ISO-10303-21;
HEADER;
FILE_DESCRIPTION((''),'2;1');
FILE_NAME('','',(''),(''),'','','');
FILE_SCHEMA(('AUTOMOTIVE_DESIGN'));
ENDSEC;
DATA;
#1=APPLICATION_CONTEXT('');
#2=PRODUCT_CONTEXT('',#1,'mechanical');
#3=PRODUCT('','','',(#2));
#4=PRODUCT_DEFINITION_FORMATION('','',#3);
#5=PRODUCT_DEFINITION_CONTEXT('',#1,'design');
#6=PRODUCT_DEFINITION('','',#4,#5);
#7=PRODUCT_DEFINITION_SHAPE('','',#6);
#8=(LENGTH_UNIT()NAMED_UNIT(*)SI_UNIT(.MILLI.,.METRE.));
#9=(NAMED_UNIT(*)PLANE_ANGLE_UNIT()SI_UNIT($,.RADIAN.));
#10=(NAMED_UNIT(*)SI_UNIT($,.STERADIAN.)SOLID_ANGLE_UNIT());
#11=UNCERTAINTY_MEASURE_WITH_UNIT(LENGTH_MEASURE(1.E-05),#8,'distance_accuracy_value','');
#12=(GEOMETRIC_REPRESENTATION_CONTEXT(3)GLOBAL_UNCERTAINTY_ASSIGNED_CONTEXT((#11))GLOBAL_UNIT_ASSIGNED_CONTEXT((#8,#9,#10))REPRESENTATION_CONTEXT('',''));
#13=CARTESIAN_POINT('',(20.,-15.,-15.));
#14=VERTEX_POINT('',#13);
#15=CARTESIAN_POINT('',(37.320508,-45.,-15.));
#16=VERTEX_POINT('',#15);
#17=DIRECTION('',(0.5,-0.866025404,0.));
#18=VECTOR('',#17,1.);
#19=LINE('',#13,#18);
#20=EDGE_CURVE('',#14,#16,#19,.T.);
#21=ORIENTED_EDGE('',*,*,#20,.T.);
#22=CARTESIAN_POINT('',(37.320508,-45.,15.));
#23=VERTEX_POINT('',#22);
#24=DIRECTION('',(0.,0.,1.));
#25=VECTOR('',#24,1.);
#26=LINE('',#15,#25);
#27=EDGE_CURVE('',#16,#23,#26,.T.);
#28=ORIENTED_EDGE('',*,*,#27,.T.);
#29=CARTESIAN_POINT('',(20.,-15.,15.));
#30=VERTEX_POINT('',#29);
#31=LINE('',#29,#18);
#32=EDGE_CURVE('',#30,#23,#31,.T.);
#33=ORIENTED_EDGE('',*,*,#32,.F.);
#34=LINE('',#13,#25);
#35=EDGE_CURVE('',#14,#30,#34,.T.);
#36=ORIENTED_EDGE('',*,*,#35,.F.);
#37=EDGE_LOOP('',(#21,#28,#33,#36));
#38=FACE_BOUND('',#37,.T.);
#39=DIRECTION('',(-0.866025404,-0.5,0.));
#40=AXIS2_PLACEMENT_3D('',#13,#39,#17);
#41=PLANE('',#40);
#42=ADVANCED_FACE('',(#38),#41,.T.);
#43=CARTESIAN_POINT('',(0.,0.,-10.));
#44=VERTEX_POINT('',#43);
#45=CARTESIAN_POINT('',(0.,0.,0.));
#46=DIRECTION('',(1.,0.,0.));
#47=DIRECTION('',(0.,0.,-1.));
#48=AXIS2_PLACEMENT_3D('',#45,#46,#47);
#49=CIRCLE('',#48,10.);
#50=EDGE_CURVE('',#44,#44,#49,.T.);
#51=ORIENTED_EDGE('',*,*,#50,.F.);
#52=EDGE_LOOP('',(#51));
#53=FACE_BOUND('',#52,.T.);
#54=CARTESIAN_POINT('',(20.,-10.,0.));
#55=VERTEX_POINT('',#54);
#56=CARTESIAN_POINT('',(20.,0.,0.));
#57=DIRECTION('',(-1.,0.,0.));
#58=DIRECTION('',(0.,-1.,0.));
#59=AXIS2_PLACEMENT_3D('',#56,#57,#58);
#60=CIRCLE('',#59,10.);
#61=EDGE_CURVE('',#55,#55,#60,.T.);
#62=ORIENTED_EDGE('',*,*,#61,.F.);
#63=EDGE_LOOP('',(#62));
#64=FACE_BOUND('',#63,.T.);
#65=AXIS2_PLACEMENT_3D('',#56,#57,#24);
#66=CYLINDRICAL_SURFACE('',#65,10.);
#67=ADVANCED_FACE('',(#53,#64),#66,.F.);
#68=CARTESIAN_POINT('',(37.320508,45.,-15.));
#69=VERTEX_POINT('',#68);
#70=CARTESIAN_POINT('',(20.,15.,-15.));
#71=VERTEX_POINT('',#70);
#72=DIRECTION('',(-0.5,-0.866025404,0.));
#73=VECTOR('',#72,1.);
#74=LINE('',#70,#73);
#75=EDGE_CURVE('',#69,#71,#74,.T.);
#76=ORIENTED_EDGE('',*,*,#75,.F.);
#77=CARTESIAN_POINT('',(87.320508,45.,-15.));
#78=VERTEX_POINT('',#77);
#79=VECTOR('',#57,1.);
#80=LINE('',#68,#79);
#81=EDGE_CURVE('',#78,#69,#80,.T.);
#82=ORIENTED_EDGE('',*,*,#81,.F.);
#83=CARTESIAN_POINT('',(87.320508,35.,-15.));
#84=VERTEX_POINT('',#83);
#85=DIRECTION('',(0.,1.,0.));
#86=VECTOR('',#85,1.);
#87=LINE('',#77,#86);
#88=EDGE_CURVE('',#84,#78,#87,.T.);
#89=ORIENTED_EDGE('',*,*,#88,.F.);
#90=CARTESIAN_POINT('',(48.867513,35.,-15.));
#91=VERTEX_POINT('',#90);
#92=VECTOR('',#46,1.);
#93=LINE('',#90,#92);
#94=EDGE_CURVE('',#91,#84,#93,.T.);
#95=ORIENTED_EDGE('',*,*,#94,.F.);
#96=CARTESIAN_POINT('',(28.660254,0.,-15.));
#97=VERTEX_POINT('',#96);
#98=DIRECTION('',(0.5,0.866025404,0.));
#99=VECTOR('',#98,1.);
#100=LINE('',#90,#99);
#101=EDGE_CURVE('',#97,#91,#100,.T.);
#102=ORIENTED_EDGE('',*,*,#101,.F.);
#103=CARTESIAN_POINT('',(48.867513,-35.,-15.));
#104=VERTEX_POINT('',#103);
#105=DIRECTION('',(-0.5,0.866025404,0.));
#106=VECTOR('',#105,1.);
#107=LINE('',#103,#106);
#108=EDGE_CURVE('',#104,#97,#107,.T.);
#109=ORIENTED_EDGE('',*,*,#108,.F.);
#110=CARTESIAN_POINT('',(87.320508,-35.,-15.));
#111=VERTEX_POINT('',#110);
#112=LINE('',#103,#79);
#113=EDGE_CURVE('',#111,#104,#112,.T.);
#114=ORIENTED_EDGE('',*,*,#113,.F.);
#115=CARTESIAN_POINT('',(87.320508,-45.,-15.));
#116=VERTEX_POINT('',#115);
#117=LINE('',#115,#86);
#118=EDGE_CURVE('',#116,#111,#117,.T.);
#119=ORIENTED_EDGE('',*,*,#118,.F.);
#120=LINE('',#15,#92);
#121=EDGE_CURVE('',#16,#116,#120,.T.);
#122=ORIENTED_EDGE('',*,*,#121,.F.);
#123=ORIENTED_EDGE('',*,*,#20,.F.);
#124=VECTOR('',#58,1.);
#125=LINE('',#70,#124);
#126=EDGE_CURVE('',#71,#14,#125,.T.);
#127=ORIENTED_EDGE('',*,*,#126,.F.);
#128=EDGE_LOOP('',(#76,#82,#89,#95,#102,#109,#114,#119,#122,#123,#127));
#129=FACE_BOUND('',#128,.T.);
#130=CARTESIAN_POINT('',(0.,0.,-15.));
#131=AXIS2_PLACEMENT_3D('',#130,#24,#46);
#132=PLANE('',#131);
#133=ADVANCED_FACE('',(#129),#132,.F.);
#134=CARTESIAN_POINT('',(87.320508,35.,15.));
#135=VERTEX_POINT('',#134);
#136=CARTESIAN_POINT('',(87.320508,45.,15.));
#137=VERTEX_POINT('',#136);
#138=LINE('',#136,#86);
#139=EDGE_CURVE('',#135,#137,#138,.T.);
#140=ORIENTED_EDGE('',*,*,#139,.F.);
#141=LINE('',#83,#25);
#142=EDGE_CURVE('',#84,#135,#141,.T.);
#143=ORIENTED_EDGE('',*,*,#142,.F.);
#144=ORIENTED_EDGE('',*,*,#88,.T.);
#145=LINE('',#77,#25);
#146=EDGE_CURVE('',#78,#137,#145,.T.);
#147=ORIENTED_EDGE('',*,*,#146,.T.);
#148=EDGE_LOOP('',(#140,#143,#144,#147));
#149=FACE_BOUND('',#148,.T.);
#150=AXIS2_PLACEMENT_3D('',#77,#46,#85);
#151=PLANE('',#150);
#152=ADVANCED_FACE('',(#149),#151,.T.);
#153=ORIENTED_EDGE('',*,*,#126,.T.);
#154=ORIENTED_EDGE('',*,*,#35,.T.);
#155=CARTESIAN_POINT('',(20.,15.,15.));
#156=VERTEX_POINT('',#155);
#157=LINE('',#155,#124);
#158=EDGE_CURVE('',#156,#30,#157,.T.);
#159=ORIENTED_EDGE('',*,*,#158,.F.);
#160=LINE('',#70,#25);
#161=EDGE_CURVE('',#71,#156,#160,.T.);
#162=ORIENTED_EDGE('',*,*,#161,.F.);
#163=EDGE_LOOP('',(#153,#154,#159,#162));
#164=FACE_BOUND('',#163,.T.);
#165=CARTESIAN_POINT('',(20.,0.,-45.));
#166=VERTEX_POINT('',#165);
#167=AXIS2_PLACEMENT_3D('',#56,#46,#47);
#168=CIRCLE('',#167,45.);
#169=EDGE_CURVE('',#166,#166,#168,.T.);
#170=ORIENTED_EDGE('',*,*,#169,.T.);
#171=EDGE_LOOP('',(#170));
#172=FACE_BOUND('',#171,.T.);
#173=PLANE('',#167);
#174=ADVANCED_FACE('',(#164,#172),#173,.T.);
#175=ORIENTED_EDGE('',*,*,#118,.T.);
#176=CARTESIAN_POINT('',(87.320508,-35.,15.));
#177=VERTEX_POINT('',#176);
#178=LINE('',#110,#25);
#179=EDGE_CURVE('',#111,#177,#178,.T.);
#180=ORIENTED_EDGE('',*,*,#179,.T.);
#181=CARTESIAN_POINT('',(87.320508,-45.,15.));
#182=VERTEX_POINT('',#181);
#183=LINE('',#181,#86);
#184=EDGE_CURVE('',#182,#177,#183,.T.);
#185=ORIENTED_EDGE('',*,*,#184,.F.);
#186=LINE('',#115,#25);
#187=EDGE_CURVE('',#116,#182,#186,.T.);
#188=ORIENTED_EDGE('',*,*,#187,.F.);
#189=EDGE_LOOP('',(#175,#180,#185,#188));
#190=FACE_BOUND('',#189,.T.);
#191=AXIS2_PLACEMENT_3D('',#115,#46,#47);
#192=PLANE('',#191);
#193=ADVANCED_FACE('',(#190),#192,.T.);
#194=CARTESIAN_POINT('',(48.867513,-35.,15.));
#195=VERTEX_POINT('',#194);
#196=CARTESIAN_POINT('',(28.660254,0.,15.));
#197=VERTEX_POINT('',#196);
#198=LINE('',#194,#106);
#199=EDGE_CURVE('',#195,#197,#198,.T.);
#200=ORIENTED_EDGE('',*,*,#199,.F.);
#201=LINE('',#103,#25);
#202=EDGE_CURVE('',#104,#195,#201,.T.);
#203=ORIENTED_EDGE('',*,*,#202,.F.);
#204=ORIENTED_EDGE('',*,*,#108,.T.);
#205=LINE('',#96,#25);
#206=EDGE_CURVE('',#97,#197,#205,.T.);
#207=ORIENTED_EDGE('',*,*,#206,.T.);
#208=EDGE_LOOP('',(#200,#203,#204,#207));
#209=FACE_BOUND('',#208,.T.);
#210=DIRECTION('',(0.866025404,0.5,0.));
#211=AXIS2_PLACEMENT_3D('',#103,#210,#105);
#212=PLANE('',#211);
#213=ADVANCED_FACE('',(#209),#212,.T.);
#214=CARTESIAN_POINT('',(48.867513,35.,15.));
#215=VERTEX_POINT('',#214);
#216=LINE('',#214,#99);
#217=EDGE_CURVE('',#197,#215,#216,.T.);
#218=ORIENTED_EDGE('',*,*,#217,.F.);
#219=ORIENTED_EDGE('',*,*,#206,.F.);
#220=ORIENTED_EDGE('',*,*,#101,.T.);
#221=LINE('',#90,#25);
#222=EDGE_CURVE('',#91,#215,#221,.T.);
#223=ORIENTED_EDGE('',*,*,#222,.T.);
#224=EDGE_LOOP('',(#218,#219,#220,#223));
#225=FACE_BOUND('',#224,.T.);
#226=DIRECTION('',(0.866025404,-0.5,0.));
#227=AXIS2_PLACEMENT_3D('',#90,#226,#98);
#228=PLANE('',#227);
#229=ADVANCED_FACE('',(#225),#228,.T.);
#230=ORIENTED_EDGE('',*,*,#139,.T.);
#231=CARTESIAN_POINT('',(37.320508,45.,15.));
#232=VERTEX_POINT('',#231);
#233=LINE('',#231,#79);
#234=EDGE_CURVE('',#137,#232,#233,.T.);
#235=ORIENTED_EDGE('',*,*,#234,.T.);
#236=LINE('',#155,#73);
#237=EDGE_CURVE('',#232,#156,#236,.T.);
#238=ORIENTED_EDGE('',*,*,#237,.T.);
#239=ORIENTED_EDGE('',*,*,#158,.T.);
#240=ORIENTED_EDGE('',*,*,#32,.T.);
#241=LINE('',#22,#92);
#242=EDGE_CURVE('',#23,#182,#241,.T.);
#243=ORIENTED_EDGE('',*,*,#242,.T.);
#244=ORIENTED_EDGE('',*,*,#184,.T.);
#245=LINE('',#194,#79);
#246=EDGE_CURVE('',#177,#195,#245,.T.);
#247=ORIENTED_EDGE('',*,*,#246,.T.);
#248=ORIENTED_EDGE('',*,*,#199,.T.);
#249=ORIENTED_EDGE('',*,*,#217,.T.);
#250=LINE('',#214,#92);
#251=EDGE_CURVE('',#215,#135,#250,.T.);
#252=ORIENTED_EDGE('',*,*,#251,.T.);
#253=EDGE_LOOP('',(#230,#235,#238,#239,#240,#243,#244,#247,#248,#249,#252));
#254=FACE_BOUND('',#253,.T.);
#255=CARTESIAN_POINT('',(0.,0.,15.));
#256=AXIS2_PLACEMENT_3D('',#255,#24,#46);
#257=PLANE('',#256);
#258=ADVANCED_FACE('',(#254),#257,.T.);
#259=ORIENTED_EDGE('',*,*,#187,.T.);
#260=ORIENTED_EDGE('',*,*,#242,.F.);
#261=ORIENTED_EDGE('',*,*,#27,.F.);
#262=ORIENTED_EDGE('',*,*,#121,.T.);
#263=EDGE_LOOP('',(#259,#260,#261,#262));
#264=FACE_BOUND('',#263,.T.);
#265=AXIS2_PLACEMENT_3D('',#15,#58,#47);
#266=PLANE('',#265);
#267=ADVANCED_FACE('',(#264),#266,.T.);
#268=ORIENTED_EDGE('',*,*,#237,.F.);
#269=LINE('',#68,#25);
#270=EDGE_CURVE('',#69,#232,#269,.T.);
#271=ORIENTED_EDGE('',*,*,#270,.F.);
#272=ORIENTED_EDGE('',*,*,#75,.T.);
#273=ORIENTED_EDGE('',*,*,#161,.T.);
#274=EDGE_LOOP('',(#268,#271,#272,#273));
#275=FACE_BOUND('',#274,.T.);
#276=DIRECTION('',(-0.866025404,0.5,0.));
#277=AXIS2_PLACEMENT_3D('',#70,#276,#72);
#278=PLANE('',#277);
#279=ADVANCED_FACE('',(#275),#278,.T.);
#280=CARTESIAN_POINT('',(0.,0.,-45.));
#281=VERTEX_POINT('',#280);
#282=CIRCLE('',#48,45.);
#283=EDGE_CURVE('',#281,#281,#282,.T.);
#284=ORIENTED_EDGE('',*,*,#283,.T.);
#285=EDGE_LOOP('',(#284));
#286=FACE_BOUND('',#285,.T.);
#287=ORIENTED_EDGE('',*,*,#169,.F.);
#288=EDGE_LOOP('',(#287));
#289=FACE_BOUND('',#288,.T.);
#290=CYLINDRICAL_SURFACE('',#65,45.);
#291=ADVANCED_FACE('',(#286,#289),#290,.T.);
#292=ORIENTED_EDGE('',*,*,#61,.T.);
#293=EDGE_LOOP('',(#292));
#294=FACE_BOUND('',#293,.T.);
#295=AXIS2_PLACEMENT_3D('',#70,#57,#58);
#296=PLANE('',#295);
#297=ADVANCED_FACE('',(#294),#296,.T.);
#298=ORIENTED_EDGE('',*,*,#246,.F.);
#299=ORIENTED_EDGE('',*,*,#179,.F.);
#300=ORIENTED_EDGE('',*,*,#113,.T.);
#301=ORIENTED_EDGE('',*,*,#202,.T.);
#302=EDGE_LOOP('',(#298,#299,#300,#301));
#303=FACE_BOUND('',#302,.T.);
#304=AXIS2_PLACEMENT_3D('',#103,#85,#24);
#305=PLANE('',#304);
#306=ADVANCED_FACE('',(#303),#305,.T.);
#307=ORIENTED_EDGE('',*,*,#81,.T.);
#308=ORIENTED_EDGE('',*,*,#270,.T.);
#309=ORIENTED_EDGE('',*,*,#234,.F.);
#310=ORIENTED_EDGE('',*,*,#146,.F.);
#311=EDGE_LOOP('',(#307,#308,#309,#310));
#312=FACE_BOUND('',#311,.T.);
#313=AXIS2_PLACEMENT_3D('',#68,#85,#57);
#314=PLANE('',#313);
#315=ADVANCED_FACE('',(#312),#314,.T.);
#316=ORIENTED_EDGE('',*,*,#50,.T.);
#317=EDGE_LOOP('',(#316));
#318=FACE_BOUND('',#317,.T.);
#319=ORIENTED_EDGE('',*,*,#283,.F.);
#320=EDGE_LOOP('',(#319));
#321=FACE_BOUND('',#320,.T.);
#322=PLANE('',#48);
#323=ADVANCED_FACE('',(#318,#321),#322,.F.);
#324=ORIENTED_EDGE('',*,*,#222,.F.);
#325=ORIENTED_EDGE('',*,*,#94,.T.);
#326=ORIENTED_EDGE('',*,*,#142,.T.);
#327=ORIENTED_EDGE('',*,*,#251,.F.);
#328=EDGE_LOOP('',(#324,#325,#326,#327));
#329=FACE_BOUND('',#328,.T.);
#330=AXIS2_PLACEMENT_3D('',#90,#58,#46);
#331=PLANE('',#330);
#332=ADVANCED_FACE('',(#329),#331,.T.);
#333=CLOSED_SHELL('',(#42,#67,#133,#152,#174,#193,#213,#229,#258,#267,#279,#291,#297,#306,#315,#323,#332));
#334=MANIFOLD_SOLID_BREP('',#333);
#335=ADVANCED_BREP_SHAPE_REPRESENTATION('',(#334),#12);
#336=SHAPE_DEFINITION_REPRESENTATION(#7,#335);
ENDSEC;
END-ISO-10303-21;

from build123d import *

# Parameters (mm, degrees)
SKETCH1_R                = 45
SKETCH1_R_2              = 10
BOSS_EXTRUDE1_DEPTH      = 20
BOSS_EXTRUDE2_DEPTH      = 15
BOSS_EXTRUDE2_DEPTH_BACK = 15


with BuildPart() as part:
    # Sketch1 → Boss-Extrude1 (new body)
    with BuildSketch(Plane(origin=(0, 0, 0), x_dir=(0, 0, -1), z_dir=(1, 0, 0))):
        Circle(SKETCH1_R)
        Circle(SKETCH1_R_2, mode=Mode.SUBTRACT)
    extrude(amount=BOSS_EXTRUDE1_DEPTH)

    # Sketch4 → Boss-Extrude2 (add, two sides: drawn at the far end of the back side and taken through both)
    with BuildSketch(Plane.XY.offset(-BOSS_EXTRUDE2_DEPTH_BACK)):
        Polygon((20, -15), (37.320508076, -45), (87.320508076, -45), (87.320508076, -35), (48.867513459, -35), (28.660254038, 0), (48.867513459, 35), (87.320508076, 35), (87.320508076, 45), (37.320508076, 45), (20, 15), align=None)
    extrude(amount=BOSS_EXTRUDE2_DEPTH + BOSS_EXTRUDE2_DEPTH_BACK)


solid = part.part
